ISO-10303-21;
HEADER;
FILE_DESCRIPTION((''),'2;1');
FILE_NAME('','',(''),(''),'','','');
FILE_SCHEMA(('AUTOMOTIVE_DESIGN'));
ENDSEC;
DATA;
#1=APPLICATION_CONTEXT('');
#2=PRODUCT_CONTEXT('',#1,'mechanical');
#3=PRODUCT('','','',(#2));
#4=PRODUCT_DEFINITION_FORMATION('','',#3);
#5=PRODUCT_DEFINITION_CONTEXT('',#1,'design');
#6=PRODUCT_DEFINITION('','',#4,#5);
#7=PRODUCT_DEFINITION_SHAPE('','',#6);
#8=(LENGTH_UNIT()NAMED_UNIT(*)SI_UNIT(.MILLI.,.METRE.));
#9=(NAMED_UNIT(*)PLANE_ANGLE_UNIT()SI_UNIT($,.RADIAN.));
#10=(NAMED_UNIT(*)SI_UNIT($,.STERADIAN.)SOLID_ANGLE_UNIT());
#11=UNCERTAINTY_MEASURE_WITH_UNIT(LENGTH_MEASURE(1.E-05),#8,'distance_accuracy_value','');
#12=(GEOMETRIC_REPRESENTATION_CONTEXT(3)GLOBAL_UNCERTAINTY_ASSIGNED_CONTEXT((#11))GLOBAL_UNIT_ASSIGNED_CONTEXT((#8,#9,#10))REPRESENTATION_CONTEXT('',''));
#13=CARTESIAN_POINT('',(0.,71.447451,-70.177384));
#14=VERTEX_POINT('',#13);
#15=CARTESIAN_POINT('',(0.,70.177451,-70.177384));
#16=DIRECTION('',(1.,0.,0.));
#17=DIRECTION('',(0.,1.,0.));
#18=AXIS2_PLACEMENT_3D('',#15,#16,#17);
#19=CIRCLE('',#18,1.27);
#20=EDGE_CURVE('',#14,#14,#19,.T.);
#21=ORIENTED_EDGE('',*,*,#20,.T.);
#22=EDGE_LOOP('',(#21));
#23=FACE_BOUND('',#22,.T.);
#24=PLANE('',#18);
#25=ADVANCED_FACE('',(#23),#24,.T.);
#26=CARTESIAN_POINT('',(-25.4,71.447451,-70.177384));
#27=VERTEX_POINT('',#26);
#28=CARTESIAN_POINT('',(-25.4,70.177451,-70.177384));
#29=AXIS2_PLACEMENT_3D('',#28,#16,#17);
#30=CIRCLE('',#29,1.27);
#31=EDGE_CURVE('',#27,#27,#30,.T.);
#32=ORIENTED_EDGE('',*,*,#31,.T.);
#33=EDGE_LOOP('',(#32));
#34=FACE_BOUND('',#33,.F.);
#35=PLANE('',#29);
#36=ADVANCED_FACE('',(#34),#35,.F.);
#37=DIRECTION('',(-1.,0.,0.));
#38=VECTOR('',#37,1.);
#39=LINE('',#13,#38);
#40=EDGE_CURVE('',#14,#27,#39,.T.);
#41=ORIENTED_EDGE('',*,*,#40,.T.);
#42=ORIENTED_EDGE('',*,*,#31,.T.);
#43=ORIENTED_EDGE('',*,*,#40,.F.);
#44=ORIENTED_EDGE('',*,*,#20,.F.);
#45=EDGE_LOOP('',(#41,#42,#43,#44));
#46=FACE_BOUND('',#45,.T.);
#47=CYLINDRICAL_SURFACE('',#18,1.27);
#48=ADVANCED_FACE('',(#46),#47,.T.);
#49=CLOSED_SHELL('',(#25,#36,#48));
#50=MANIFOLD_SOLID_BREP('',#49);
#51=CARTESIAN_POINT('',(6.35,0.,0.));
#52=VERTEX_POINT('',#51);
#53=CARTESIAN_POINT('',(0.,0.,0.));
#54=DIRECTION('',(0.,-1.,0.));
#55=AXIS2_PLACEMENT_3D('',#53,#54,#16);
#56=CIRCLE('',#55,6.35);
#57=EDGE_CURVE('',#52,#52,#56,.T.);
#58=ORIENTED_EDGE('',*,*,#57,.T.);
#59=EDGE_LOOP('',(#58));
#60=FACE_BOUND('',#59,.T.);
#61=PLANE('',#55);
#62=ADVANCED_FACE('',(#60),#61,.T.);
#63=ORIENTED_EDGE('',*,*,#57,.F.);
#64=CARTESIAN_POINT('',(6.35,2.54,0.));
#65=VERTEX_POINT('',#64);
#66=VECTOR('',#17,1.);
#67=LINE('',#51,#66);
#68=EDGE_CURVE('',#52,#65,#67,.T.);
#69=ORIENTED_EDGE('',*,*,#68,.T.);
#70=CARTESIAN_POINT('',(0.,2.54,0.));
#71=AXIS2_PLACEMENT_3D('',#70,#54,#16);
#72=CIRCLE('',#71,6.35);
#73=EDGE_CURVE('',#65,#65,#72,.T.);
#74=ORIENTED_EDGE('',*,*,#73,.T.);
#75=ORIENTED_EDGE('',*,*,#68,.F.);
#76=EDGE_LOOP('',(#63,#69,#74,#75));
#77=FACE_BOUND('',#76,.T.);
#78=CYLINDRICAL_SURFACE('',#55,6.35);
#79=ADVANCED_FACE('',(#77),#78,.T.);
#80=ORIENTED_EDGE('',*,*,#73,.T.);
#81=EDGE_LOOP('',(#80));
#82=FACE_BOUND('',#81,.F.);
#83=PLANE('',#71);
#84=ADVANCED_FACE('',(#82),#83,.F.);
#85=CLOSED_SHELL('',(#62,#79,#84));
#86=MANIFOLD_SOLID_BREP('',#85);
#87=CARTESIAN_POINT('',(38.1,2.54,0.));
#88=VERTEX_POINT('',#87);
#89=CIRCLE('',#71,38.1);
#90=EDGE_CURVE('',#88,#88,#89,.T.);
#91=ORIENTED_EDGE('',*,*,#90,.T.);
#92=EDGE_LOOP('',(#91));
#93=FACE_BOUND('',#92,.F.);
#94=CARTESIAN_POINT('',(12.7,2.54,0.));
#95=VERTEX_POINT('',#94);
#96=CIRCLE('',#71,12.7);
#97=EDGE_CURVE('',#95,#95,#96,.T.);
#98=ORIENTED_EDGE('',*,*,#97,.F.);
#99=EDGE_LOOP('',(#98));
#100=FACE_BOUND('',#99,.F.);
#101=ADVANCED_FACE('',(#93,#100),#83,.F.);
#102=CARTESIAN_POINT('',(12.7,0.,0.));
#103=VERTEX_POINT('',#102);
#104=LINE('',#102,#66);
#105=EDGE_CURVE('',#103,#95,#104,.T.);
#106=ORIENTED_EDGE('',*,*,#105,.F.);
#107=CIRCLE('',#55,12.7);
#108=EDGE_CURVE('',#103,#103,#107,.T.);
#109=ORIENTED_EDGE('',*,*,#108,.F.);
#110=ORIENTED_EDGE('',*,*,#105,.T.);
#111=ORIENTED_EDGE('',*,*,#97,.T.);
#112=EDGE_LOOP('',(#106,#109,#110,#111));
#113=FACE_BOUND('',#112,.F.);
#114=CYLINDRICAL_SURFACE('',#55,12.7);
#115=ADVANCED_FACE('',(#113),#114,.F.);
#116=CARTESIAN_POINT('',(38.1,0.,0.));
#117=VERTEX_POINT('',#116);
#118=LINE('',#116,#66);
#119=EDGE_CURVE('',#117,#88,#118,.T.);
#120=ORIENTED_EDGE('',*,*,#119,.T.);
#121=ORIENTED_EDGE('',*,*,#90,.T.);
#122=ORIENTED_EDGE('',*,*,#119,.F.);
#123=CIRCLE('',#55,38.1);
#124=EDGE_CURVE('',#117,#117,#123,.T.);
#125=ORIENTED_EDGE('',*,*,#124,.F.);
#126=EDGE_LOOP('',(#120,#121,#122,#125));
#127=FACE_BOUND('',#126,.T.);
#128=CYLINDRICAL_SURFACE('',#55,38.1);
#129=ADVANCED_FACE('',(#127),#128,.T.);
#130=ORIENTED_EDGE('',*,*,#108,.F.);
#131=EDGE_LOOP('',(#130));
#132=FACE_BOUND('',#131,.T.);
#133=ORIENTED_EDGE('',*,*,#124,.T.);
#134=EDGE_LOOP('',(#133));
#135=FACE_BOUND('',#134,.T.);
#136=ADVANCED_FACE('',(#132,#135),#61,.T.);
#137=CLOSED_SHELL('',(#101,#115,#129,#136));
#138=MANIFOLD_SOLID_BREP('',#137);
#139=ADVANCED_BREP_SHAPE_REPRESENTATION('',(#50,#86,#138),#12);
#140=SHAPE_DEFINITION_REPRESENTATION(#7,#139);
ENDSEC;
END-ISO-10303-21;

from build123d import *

# Parameters (mm, degrees)
F0_R     = 38.1
F0_R_2   = 12.7
F0_R_3   = 6.35
F1_DEPTH = 2.54
F2_R     = 1.27
F3_DEPTH = 25.4


with BuildPart() as f1:
    # F0 (on Front) → F1 (new body)
    with BuildSketch(Plane.XZ):
        Circle(F0_R)
        Circle(F0_R_2, mode=Mode.SUBTRACT)
        Circle(F0_R_3)
    extrude(amount=-F1_DEPTH)


with BuildPart() as f3:
    # F2 (on Right) → F3 (new body)
    with BuildSketch(Plane.YZ):
        with Locations((70.177451, -70.177384)):
            Circle(F2_R)
    extrude(amount=-F3_DEPTH)


solid = Compound([f1.part, f3.part])
